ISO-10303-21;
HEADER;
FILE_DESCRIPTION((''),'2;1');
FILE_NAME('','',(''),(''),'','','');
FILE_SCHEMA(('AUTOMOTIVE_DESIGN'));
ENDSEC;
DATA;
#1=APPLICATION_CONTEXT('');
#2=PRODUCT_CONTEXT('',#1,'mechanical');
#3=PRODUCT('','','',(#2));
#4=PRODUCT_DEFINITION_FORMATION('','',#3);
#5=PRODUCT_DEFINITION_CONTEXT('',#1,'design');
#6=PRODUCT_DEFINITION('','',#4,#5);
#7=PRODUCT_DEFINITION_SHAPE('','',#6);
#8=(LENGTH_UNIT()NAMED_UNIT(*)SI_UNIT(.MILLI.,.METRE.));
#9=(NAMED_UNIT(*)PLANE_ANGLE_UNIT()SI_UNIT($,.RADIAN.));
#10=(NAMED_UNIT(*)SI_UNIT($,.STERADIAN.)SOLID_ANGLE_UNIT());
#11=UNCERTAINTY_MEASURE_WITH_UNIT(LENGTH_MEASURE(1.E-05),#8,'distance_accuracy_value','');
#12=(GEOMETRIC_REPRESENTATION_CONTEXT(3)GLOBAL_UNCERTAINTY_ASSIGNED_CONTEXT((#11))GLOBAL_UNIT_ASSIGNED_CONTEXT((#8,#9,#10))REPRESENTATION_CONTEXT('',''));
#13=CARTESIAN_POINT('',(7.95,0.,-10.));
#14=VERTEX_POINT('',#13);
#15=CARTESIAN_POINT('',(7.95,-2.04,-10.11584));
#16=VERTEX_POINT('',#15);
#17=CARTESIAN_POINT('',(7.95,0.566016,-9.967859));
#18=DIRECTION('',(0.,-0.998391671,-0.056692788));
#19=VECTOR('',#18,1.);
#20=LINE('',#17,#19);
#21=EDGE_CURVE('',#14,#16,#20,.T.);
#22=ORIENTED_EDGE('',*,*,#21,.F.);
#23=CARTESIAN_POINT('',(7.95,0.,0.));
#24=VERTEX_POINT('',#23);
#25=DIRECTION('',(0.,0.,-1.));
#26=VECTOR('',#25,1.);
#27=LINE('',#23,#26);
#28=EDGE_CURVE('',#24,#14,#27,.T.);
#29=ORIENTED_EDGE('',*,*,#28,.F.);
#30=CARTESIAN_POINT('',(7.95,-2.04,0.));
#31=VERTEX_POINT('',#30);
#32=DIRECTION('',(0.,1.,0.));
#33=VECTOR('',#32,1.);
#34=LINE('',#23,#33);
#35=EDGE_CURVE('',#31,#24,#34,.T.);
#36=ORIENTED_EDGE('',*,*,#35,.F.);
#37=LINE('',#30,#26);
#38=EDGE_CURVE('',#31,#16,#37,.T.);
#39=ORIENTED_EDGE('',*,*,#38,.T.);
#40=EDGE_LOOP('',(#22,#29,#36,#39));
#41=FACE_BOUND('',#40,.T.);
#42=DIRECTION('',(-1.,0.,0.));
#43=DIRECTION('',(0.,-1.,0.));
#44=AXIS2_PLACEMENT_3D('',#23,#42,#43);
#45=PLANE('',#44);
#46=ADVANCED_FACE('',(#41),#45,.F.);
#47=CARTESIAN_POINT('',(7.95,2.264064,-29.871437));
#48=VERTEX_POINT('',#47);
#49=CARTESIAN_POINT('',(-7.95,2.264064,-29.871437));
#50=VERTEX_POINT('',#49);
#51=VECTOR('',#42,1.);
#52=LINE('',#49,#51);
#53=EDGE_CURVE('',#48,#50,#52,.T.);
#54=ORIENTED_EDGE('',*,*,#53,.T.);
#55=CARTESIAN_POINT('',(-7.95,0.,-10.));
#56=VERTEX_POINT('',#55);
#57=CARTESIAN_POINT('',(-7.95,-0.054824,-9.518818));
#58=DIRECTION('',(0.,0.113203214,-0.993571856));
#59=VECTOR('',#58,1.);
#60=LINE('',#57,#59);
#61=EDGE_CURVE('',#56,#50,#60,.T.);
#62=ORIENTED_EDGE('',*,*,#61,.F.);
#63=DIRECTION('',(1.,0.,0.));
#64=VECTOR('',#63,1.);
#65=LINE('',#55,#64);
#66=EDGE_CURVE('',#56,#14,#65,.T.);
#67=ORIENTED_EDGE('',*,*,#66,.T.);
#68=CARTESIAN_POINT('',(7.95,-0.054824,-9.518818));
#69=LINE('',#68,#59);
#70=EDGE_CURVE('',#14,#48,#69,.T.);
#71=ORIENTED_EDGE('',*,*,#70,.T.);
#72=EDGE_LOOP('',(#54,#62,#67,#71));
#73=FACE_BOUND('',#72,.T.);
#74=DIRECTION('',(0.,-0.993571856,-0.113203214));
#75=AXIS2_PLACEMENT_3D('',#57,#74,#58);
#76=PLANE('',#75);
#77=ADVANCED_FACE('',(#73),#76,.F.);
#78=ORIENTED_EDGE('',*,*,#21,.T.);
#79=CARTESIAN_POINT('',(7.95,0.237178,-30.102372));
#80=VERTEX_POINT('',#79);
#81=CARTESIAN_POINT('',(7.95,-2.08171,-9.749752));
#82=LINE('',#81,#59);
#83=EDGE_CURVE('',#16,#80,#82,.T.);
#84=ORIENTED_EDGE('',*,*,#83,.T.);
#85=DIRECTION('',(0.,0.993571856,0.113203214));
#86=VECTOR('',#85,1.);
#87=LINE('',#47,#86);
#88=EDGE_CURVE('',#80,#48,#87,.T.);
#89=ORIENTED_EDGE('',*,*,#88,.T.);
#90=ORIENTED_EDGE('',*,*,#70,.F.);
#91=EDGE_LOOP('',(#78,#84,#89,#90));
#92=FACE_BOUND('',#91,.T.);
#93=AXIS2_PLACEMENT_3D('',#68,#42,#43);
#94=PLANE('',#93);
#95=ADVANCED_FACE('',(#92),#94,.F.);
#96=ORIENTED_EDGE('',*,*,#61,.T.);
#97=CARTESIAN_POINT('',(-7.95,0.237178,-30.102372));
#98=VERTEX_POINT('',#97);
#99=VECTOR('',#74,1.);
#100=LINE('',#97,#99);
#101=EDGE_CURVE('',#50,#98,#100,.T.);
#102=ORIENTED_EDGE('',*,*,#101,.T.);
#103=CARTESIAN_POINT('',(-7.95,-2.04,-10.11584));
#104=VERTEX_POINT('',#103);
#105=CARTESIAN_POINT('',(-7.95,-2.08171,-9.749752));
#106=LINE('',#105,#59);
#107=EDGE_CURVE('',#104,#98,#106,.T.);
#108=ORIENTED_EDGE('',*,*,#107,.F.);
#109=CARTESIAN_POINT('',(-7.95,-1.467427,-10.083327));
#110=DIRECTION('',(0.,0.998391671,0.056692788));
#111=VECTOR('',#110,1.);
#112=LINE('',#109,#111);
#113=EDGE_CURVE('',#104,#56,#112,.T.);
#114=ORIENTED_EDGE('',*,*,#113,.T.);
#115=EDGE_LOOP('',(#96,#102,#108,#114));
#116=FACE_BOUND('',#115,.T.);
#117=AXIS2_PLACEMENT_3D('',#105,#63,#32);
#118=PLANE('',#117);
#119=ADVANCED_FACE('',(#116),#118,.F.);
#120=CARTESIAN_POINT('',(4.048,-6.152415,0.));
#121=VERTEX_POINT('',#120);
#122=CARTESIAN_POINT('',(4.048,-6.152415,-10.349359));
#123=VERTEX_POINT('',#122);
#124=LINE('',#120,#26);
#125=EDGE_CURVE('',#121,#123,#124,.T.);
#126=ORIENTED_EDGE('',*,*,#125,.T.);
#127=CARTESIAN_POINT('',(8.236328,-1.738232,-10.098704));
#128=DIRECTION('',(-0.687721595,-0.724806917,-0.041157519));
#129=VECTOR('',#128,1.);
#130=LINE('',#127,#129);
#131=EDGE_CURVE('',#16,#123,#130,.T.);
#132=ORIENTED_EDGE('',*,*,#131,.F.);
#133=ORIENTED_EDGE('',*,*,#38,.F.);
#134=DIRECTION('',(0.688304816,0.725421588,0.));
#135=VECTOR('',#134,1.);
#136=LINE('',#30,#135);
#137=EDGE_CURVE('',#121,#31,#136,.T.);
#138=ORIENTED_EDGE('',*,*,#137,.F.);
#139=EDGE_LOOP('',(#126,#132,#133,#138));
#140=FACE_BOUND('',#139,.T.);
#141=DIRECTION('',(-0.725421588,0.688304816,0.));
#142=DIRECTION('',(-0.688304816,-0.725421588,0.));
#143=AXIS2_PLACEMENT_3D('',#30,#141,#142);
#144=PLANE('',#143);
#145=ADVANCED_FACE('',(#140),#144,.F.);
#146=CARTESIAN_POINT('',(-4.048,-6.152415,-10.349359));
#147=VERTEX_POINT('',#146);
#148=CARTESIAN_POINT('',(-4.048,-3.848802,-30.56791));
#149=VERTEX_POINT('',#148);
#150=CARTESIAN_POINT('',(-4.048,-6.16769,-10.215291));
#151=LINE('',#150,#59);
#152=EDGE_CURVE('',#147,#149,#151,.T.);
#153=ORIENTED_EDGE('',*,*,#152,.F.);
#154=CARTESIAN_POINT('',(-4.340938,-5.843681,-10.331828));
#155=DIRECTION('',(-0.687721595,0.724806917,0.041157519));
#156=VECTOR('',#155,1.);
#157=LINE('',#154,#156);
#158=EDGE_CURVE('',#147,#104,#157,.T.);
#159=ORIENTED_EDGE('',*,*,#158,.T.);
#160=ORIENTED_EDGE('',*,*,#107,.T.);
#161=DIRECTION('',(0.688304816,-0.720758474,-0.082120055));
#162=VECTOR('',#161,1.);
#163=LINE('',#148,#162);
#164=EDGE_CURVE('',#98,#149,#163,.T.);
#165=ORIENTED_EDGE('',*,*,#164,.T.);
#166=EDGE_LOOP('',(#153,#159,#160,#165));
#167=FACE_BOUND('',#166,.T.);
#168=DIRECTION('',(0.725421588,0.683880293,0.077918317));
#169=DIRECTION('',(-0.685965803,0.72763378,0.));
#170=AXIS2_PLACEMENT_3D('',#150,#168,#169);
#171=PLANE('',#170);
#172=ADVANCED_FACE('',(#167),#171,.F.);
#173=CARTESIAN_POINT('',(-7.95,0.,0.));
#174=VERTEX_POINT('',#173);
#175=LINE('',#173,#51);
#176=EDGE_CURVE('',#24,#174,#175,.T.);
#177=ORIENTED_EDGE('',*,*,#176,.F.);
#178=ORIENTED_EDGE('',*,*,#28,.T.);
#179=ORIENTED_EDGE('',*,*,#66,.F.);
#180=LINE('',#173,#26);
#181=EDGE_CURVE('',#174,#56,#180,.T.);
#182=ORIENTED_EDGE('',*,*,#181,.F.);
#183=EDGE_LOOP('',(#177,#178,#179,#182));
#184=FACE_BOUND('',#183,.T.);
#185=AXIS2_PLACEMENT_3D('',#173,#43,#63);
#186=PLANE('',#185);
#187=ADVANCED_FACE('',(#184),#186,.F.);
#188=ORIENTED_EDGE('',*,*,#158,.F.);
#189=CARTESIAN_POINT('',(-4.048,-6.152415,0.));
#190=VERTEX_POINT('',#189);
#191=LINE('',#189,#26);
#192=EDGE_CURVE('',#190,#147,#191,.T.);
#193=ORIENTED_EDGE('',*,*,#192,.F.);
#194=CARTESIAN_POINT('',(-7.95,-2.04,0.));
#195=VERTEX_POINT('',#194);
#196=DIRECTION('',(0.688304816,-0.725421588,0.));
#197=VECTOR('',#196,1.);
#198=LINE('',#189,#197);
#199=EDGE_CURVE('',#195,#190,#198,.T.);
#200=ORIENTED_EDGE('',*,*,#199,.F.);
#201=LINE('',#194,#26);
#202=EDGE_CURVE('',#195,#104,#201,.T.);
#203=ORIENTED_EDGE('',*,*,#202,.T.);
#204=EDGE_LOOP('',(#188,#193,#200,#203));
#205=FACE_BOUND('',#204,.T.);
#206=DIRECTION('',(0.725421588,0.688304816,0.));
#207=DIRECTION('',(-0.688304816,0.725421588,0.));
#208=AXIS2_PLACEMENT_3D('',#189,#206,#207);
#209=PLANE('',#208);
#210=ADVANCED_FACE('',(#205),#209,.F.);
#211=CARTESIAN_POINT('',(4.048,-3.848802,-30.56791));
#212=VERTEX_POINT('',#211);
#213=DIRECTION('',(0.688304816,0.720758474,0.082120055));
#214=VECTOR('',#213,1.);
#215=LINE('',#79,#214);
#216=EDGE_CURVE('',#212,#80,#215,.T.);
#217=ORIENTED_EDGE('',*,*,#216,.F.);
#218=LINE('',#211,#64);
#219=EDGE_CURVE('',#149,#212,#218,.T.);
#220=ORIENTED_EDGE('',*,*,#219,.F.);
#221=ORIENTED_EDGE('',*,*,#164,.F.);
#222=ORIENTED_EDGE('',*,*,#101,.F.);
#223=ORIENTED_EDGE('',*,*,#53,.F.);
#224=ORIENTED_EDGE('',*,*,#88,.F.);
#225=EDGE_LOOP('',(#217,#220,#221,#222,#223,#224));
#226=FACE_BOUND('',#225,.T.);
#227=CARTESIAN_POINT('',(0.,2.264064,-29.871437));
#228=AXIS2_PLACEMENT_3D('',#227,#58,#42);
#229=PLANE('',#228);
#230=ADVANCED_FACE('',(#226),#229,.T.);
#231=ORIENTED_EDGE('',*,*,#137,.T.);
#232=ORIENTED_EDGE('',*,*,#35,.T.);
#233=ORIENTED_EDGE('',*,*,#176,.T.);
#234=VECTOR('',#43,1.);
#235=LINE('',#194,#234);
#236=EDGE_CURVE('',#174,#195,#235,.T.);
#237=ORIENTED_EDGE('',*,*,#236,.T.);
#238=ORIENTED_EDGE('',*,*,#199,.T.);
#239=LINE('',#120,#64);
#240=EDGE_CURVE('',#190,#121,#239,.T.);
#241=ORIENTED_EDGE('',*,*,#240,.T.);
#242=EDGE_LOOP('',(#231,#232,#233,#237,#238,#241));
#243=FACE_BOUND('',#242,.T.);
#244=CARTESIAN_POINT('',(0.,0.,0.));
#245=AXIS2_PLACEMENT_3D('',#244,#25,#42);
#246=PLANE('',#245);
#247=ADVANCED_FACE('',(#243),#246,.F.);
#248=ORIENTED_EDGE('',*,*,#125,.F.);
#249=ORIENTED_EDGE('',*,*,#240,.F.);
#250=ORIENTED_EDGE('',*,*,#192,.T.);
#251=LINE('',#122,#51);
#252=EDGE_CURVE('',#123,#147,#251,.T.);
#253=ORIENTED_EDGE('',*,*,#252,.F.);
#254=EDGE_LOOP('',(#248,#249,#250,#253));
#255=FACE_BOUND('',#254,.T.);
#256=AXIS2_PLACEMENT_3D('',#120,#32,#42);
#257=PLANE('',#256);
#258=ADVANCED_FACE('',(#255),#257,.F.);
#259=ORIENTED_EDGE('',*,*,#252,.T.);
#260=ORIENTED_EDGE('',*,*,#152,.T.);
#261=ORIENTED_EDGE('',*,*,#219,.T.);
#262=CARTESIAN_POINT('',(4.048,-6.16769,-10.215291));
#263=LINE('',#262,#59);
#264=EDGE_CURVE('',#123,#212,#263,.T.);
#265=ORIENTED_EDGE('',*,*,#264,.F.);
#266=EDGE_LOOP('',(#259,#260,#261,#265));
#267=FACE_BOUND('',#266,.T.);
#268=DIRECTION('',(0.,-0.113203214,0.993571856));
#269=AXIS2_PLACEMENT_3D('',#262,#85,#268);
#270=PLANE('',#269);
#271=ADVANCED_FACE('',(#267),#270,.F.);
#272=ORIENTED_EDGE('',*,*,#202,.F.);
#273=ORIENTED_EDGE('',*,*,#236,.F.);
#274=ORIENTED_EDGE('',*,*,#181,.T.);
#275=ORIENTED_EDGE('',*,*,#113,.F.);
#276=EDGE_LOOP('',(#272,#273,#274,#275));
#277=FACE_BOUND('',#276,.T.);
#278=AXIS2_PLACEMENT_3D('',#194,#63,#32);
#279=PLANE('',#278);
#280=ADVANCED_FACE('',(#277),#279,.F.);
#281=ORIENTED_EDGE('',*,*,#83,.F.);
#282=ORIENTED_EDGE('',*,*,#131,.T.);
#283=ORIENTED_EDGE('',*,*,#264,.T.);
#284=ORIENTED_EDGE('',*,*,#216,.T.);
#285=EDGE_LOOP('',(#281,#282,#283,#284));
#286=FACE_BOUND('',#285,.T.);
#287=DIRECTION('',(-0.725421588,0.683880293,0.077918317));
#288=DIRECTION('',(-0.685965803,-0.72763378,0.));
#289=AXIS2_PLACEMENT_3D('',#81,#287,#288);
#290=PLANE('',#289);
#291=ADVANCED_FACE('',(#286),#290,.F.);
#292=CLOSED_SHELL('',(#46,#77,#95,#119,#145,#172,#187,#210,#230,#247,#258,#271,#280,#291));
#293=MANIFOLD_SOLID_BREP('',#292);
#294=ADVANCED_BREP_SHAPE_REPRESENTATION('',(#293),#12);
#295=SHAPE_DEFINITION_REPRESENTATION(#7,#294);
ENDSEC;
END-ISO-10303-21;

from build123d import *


with BuildPart() as part:
    # Sweep1: sweep along a path in Sketch2
    with BuildLine(Plane(origin=(0, 0, 0), x_dir=(0, 0, -1), z_dir=(1, 0, 0))) as sweep1_path:
        Line((0, 0), (10, 0))
        Line((10, 0), (29.871437114, 2.264064275))
    # Sketch1 → Sweep1 (sweep)
    with BuildSketch(Plane.XY):
        Polygon((7.95, 0), (7.95, -2.04), (4.048, -6.152414984), (-4.048, -6.152414984), (-7.95, -2.04), (-7.95, 0), align=None)
    sweep(path=sweep1_path.line, transition=Transition.RIGHT)


solid = part.part
